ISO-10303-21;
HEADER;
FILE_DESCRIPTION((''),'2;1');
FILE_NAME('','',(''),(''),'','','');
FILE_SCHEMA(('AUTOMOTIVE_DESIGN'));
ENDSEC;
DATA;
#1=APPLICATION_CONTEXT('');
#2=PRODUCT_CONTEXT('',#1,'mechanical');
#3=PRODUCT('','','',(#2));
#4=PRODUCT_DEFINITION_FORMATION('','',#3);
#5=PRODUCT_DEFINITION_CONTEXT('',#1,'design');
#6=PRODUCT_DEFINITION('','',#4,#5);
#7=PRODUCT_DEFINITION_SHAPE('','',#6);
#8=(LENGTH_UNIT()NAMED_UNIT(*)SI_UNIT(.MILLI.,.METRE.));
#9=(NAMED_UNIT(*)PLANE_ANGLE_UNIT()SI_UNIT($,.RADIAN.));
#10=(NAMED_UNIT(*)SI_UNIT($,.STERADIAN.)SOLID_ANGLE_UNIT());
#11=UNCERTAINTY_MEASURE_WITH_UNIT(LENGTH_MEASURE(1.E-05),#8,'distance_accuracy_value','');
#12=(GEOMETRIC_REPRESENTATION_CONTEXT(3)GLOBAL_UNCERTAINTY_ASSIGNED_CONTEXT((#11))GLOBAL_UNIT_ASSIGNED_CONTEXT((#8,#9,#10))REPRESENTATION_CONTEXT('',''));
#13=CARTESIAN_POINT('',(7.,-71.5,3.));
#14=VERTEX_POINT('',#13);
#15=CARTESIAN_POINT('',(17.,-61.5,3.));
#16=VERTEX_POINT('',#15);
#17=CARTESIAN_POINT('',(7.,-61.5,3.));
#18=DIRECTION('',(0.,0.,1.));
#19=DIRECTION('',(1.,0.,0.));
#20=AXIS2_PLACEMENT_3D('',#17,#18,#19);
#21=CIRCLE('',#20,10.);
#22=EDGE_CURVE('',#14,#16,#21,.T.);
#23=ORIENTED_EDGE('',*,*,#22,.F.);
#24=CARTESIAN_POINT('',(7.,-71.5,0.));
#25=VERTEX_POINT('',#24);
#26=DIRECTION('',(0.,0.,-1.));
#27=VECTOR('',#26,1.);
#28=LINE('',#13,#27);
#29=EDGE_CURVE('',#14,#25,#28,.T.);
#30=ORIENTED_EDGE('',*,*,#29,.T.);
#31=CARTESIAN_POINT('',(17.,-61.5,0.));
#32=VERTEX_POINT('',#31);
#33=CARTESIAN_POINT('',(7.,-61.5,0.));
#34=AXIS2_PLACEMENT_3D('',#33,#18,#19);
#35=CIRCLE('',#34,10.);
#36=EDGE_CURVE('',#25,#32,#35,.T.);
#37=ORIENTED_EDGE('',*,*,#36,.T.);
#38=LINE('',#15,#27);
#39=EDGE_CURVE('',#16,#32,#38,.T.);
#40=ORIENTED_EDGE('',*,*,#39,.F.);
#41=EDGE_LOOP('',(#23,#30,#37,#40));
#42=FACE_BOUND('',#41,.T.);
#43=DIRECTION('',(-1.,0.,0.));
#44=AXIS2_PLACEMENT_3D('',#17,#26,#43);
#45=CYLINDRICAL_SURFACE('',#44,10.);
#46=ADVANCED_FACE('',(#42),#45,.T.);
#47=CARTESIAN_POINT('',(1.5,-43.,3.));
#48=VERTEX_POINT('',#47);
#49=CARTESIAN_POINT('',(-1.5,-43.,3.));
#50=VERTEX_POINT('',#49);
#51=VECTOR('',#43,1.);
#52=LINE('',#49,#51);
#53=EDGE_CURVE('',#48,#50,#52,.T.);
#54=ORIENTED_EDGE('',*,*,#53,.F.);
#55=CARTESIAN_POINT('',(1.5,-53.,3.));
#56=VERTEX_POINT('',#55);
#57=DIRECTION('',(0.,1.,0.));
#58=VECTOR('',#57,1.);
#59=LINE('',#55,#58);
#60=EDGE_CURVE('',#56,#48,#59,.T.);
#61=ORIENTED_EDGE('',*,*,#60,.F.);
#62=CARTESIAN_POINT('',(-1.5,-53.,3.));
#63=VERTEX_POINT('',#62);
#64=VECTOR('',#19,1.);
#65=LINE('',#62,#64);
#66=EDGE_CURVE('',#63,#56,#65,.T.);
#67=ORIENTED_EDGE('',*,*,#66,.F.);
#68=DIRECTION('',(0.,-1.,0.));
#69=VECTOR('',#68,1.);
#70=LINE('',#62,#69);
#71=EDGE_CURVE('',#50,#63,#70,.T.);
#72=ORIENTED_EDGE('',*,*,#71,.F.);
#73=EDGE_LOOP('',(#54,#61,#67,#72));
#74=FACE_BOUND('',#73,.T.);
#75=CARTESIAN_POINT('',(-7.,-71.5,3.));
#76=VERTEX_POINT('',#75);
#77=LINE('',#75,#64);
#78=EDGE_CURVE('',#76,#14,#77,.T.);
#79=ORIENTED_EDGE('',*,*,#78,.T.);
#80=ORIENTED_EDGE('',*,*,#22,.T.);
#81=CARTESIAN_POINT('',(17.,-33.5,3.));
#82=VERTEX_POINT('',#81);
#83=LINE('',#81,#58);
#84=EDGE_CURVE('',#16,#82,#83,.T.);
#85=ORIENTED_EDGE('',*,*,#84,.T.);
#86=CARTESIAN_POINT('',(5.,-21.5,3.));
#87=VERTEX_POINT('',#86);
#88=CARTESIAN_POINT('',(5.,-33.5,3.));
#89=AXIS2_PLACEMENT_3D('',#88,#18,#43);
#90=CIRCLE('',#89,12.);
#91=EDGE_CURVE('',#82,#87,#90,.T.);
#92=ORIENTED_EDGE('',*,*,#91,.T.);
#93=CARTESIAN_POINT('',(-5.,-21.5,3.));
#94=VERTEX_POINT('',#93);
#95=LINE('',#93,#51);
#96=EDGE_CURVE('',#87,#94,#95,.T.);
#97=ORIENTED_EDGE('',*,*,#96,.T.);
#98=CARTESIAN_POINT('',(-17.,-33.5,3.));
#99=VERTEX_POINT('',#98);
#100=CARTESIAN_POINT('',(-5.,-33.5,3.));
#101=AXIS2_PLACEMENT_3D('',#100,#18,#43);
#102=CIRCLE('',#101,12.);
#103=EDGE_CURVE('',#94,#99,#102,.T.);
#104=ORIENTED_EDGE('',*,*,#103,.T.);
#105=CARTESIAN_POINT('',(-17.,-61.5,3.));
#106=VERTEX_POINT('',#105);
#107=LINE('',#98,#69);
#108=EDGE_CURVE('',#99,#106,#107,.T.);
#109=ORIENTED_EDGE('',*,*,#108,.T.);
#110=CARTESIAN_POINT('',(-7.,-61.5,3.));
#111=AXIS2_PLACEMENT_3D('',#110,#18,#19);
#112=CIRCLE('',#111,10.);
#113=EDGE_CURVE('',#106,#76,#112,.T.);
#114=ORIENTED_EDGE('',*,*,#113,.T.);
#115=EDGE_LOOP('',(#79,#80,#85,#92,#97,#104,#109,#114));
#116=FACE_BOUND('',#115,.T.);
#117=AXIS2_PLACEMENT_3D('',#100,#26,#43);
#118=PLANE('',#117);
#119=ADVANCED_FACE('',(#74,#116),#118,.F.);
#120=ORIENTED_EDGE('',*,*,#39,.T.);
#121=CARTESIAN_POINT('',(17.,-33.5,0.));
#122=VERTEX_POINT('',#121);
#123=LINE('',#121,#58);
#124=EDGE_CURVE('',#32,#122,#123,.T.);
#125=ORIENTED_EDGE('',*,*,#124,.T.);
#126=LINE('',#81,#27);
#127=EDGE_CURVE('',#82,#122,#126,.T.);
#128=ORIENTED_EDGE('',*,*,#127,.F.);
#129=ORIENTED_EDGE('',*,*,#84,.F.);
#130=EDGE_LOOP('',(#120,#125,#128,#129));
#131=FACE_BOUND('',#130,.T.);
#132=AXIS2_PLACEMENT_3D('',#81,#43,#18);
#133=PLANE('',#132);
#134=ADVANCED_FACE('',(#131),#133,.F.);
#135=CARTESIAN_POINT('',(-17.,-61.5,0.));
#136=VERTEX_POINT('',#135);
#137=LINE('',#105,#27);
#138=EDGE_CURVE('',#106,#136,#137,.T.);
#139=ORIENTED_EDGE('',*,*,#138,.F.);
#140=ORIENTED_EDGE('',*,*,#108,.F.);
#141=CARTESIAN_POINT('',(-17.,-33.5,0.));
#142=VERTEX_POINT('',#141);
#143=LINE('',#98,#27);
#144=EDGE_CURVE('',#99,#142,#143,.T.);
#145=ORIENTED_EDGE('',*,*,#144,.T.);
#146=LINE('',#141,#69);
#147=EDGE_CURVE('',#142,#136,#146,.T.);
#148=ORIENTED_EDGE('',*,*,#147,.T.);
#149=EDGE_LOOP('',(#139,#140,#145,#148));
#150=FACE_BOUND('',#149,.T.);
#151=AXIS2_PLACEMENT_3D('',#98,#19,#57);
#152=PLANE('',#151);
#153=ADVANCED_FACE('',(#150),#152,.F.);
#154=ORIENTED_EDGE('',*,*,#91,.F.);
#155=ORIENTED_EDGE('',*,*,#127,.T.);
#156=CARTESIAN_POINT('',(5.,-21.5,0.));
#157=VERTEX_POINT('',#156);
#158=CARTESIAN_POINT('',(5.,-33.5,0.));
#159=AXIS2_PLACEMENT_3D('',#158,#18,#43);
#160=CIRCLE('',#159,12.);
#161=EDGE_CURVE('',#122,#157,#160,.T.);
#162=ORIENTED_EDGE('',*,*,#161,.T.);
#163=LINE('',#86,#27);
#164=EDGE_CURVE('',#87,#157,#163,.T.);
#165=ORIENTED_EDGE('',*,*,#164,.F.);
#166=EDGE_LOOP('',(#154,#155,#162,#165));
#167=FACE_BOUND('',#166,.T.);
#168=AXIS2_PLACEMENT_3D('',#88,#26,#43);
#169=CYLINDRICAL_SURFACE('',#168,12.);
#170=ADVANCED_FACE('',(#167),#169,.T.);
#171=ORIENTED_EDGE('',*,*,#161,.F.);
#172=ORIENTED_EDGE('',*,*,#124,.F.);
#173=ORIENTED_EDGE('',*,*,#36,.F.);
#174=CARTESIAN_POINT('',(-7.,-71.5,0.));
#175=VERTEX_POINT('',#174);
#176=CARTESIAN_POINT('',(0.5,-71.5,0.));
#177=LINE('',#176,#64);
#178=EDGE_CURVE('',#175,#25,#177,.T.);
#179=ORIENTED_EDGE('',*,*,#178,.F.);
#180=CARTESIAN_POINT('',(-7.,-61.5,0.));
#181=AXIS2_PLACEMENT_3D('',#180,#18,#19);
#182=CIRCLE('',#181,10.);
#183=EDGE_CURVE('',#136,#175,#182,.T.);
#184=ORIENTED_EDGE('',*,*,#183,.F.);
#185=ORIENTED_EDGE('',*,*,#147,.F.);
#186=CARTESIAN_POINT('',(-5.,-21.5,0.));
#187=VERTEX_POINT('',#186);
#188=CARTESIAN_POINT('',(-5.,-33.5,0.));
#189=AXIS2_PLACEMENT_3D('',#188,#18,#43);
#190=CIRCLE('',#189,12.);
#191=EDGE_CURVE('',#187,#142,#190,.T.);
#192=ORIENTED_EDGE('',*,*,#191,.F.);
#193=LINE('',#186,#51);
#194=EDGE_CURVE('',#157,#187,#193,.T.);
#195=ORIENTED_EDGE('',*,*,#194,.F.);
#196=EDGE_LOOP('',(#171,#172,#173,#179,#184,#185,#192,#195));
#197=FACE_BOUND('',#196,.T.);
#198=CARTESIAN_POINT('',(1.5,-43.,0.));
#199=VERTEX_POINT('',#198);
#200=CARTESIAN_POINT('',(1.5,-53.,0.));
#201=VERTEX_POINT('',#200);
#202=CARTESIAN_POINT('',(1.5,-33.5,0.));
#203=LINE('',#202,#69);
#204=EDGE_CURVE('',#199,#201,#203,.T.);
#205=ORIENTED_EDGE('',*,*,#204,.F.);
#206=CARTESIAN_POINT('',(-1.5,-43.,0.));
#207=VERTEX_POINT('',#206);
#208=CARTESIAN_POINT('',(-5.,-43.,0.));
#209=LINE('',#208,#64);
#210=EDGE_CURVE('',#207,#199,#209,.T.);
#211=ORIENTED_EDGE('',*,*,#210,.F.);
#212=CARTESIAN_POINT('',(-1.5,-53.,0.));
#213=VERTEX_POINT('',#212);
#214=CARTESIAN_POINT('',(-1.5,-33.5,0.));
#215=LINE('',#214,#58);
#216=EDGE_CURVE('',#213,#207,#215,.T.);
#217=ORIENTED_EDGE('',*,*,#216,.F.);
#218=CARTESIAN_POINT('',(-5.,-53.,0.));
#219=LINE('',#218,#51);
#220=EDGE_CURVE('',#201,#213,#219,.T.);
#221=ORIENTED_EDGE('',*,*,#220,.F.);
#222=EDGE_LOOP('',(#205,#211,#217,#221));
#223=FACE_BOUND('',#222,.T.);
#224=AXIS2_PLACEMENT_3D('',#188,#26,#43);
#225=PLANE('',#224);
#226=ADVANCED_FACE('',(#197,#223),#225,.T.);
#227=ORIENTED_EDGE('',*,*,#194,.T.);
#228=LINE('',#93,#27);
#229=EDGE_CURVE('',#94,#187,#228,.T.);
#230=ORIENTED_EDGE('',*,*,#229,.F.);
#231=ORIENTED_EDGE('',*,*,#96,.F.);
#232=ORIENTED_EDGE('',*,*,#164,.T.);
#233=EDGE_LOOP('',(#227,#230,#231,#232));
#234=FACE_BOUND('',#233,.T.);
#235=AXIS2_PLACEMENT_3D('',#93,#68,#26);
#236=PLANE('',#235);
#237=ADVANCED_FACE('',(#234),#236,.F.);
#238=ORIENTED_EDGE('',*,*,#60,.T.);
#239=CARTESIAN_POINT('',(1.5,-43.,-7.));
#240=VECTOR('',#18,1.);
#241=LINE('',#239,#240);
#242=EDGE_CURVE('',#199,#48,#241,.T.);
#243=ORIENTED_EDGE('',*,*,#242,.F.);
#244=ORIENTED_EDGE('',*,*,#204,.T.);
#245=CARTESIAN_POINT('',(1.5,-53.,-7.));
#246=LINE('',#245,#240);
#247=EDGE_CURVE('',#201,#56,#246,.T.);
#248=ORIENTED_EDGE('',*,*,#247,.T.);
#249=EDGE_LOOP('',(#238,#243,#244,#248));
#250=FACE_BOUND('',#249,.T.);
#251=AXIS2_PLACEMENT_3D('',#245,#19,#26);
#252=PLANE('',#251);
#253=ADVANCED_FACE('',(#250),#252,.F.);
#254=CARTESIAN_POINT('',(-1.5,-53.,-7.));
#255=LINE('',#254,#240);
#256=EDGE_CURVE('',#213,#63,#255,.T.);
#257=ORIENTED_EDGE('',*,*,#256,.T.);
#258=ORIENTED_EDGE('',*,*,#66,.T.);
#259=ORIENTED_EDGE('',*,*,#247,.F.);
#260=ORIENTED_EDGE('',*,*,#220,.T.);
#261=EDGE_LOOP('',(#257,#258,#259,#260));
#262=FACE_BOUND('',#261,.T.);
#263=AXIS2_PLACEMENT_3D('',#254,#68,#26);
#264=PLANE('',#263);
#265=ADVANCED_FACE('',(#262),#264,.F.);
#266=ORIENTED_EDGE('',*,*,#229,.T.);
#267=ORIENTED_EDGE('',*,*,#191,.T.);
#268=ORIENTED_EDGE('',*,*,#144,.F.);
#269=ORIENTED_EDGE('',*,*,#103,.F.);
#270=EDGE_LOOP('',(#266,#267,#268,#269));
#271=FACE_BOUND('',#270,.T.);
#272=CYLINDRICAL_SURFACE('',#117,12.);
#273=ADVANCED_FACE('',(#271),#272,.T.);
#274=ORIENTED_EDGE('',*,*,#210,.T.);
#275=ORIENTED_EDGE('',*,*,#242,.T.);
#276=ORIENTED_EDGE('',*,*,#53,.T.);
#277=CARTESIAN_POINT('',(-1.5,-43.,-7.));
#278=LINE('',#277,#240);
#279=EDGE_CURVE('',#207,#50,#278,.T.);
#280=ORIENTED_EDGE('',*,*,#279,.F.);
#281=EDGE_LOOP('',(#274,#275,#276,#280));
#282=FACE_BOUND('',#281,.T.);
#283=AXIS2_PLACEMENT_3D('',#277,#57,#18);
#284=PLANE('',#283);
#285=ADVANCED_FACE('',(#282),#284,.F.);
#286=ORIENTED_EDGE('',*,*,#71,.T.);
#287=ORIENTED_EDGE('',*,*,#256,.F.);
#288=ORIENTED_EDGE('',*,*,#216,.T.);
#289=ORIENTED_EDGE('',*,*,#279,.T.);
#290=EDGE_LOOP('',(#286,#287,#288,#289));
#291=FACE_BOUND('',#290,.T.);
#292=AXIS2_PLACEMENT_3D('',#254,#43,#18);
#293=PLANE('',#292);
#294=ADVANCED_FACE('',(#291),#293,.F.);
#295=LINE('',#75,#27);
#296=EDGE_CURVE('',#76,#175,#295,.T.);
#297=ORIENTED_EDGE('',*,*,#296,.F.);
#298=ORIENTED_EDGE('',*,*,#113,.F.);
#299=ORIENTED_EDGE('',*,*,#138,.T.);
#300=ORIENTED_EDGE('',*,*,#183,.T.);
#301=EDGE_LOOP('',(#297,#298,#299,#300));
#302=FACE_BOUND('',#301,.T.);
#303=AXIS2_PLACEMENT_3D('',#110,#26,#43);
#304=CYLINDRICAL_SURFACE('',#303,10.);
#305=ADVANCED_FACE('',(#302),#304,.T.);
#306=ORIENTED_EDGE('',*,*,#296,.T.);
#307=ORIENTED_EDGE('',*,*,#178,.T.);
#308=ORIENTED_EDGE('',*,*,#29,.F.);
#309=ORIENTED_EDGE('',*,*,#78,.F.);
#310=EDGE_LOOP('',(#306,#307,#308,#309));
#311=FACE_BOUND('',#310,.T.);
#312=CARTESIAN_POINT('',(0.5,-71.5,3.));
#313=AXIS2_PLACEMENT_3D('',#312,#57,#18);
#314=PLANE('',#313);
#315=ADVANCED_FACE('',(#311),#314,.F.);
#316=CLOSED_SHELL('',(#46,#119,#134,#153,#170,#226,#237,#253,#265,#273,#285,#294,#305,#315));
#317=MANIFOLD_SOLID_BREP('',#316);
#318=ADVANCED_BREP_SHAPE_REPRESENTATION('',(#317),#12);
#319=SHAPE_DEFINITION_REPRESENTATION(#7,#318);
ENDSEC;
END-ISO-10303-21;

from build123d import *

# Parameters (mm, degrees)
BOSS_EXTRUDE1_DEPTH = 3
SKETCH2_W           = 3
SKETCH2_H           = 10
CUT_EXTRUDE1_DEPTH  = 10


with BuildPart() as part:
    # Sketch1 → Boss-Extrude1 (new body)
    with BuildSketch(Plane.XY):
        with BuildLine():
            Line((-5, -21.5), (5, -21.5))
            ThreePointArc((5, -21.5), (13.485281374, -25.014718626), (17, -33.5))
            Line((17, -33.5), (17, -61.5))
            ThreePointArc((17, -61.5), (14.071067812, -68.571067812), (7, -71.5))
            Line((7, -71.5), (0.5, -71.5))
            Line((0.5, -71.5), (-0.5, -71.5))
            Line((-0.5, -71.5), (-7, -71.5))
            ThreePointArc((-7, -71.5), (-14.071067812, -68.571067812), (-17, -61.5))
            Line((-17, -61.5), (-17, -33.5))
            ThreePointArc((-17, -33.5), (-13.485281374, -25.014718626), (-5, -21.5))
        make_face()
    extrude(amount=BOSS_EXTRUDE1_DEPTH)

    # Sketch2 → Cut-Extrude1 (cut)
    with BuildSketch(Plane.XY.offset(3)):
        with Locations((0, -48)):
            Rectangle(SKETCH2_W, SKETCH2_H)
    extrude(amount=-CUT_EXTRUDE1_DEPTH, mode=Mode.SUBTRACT)


solid = part.part
